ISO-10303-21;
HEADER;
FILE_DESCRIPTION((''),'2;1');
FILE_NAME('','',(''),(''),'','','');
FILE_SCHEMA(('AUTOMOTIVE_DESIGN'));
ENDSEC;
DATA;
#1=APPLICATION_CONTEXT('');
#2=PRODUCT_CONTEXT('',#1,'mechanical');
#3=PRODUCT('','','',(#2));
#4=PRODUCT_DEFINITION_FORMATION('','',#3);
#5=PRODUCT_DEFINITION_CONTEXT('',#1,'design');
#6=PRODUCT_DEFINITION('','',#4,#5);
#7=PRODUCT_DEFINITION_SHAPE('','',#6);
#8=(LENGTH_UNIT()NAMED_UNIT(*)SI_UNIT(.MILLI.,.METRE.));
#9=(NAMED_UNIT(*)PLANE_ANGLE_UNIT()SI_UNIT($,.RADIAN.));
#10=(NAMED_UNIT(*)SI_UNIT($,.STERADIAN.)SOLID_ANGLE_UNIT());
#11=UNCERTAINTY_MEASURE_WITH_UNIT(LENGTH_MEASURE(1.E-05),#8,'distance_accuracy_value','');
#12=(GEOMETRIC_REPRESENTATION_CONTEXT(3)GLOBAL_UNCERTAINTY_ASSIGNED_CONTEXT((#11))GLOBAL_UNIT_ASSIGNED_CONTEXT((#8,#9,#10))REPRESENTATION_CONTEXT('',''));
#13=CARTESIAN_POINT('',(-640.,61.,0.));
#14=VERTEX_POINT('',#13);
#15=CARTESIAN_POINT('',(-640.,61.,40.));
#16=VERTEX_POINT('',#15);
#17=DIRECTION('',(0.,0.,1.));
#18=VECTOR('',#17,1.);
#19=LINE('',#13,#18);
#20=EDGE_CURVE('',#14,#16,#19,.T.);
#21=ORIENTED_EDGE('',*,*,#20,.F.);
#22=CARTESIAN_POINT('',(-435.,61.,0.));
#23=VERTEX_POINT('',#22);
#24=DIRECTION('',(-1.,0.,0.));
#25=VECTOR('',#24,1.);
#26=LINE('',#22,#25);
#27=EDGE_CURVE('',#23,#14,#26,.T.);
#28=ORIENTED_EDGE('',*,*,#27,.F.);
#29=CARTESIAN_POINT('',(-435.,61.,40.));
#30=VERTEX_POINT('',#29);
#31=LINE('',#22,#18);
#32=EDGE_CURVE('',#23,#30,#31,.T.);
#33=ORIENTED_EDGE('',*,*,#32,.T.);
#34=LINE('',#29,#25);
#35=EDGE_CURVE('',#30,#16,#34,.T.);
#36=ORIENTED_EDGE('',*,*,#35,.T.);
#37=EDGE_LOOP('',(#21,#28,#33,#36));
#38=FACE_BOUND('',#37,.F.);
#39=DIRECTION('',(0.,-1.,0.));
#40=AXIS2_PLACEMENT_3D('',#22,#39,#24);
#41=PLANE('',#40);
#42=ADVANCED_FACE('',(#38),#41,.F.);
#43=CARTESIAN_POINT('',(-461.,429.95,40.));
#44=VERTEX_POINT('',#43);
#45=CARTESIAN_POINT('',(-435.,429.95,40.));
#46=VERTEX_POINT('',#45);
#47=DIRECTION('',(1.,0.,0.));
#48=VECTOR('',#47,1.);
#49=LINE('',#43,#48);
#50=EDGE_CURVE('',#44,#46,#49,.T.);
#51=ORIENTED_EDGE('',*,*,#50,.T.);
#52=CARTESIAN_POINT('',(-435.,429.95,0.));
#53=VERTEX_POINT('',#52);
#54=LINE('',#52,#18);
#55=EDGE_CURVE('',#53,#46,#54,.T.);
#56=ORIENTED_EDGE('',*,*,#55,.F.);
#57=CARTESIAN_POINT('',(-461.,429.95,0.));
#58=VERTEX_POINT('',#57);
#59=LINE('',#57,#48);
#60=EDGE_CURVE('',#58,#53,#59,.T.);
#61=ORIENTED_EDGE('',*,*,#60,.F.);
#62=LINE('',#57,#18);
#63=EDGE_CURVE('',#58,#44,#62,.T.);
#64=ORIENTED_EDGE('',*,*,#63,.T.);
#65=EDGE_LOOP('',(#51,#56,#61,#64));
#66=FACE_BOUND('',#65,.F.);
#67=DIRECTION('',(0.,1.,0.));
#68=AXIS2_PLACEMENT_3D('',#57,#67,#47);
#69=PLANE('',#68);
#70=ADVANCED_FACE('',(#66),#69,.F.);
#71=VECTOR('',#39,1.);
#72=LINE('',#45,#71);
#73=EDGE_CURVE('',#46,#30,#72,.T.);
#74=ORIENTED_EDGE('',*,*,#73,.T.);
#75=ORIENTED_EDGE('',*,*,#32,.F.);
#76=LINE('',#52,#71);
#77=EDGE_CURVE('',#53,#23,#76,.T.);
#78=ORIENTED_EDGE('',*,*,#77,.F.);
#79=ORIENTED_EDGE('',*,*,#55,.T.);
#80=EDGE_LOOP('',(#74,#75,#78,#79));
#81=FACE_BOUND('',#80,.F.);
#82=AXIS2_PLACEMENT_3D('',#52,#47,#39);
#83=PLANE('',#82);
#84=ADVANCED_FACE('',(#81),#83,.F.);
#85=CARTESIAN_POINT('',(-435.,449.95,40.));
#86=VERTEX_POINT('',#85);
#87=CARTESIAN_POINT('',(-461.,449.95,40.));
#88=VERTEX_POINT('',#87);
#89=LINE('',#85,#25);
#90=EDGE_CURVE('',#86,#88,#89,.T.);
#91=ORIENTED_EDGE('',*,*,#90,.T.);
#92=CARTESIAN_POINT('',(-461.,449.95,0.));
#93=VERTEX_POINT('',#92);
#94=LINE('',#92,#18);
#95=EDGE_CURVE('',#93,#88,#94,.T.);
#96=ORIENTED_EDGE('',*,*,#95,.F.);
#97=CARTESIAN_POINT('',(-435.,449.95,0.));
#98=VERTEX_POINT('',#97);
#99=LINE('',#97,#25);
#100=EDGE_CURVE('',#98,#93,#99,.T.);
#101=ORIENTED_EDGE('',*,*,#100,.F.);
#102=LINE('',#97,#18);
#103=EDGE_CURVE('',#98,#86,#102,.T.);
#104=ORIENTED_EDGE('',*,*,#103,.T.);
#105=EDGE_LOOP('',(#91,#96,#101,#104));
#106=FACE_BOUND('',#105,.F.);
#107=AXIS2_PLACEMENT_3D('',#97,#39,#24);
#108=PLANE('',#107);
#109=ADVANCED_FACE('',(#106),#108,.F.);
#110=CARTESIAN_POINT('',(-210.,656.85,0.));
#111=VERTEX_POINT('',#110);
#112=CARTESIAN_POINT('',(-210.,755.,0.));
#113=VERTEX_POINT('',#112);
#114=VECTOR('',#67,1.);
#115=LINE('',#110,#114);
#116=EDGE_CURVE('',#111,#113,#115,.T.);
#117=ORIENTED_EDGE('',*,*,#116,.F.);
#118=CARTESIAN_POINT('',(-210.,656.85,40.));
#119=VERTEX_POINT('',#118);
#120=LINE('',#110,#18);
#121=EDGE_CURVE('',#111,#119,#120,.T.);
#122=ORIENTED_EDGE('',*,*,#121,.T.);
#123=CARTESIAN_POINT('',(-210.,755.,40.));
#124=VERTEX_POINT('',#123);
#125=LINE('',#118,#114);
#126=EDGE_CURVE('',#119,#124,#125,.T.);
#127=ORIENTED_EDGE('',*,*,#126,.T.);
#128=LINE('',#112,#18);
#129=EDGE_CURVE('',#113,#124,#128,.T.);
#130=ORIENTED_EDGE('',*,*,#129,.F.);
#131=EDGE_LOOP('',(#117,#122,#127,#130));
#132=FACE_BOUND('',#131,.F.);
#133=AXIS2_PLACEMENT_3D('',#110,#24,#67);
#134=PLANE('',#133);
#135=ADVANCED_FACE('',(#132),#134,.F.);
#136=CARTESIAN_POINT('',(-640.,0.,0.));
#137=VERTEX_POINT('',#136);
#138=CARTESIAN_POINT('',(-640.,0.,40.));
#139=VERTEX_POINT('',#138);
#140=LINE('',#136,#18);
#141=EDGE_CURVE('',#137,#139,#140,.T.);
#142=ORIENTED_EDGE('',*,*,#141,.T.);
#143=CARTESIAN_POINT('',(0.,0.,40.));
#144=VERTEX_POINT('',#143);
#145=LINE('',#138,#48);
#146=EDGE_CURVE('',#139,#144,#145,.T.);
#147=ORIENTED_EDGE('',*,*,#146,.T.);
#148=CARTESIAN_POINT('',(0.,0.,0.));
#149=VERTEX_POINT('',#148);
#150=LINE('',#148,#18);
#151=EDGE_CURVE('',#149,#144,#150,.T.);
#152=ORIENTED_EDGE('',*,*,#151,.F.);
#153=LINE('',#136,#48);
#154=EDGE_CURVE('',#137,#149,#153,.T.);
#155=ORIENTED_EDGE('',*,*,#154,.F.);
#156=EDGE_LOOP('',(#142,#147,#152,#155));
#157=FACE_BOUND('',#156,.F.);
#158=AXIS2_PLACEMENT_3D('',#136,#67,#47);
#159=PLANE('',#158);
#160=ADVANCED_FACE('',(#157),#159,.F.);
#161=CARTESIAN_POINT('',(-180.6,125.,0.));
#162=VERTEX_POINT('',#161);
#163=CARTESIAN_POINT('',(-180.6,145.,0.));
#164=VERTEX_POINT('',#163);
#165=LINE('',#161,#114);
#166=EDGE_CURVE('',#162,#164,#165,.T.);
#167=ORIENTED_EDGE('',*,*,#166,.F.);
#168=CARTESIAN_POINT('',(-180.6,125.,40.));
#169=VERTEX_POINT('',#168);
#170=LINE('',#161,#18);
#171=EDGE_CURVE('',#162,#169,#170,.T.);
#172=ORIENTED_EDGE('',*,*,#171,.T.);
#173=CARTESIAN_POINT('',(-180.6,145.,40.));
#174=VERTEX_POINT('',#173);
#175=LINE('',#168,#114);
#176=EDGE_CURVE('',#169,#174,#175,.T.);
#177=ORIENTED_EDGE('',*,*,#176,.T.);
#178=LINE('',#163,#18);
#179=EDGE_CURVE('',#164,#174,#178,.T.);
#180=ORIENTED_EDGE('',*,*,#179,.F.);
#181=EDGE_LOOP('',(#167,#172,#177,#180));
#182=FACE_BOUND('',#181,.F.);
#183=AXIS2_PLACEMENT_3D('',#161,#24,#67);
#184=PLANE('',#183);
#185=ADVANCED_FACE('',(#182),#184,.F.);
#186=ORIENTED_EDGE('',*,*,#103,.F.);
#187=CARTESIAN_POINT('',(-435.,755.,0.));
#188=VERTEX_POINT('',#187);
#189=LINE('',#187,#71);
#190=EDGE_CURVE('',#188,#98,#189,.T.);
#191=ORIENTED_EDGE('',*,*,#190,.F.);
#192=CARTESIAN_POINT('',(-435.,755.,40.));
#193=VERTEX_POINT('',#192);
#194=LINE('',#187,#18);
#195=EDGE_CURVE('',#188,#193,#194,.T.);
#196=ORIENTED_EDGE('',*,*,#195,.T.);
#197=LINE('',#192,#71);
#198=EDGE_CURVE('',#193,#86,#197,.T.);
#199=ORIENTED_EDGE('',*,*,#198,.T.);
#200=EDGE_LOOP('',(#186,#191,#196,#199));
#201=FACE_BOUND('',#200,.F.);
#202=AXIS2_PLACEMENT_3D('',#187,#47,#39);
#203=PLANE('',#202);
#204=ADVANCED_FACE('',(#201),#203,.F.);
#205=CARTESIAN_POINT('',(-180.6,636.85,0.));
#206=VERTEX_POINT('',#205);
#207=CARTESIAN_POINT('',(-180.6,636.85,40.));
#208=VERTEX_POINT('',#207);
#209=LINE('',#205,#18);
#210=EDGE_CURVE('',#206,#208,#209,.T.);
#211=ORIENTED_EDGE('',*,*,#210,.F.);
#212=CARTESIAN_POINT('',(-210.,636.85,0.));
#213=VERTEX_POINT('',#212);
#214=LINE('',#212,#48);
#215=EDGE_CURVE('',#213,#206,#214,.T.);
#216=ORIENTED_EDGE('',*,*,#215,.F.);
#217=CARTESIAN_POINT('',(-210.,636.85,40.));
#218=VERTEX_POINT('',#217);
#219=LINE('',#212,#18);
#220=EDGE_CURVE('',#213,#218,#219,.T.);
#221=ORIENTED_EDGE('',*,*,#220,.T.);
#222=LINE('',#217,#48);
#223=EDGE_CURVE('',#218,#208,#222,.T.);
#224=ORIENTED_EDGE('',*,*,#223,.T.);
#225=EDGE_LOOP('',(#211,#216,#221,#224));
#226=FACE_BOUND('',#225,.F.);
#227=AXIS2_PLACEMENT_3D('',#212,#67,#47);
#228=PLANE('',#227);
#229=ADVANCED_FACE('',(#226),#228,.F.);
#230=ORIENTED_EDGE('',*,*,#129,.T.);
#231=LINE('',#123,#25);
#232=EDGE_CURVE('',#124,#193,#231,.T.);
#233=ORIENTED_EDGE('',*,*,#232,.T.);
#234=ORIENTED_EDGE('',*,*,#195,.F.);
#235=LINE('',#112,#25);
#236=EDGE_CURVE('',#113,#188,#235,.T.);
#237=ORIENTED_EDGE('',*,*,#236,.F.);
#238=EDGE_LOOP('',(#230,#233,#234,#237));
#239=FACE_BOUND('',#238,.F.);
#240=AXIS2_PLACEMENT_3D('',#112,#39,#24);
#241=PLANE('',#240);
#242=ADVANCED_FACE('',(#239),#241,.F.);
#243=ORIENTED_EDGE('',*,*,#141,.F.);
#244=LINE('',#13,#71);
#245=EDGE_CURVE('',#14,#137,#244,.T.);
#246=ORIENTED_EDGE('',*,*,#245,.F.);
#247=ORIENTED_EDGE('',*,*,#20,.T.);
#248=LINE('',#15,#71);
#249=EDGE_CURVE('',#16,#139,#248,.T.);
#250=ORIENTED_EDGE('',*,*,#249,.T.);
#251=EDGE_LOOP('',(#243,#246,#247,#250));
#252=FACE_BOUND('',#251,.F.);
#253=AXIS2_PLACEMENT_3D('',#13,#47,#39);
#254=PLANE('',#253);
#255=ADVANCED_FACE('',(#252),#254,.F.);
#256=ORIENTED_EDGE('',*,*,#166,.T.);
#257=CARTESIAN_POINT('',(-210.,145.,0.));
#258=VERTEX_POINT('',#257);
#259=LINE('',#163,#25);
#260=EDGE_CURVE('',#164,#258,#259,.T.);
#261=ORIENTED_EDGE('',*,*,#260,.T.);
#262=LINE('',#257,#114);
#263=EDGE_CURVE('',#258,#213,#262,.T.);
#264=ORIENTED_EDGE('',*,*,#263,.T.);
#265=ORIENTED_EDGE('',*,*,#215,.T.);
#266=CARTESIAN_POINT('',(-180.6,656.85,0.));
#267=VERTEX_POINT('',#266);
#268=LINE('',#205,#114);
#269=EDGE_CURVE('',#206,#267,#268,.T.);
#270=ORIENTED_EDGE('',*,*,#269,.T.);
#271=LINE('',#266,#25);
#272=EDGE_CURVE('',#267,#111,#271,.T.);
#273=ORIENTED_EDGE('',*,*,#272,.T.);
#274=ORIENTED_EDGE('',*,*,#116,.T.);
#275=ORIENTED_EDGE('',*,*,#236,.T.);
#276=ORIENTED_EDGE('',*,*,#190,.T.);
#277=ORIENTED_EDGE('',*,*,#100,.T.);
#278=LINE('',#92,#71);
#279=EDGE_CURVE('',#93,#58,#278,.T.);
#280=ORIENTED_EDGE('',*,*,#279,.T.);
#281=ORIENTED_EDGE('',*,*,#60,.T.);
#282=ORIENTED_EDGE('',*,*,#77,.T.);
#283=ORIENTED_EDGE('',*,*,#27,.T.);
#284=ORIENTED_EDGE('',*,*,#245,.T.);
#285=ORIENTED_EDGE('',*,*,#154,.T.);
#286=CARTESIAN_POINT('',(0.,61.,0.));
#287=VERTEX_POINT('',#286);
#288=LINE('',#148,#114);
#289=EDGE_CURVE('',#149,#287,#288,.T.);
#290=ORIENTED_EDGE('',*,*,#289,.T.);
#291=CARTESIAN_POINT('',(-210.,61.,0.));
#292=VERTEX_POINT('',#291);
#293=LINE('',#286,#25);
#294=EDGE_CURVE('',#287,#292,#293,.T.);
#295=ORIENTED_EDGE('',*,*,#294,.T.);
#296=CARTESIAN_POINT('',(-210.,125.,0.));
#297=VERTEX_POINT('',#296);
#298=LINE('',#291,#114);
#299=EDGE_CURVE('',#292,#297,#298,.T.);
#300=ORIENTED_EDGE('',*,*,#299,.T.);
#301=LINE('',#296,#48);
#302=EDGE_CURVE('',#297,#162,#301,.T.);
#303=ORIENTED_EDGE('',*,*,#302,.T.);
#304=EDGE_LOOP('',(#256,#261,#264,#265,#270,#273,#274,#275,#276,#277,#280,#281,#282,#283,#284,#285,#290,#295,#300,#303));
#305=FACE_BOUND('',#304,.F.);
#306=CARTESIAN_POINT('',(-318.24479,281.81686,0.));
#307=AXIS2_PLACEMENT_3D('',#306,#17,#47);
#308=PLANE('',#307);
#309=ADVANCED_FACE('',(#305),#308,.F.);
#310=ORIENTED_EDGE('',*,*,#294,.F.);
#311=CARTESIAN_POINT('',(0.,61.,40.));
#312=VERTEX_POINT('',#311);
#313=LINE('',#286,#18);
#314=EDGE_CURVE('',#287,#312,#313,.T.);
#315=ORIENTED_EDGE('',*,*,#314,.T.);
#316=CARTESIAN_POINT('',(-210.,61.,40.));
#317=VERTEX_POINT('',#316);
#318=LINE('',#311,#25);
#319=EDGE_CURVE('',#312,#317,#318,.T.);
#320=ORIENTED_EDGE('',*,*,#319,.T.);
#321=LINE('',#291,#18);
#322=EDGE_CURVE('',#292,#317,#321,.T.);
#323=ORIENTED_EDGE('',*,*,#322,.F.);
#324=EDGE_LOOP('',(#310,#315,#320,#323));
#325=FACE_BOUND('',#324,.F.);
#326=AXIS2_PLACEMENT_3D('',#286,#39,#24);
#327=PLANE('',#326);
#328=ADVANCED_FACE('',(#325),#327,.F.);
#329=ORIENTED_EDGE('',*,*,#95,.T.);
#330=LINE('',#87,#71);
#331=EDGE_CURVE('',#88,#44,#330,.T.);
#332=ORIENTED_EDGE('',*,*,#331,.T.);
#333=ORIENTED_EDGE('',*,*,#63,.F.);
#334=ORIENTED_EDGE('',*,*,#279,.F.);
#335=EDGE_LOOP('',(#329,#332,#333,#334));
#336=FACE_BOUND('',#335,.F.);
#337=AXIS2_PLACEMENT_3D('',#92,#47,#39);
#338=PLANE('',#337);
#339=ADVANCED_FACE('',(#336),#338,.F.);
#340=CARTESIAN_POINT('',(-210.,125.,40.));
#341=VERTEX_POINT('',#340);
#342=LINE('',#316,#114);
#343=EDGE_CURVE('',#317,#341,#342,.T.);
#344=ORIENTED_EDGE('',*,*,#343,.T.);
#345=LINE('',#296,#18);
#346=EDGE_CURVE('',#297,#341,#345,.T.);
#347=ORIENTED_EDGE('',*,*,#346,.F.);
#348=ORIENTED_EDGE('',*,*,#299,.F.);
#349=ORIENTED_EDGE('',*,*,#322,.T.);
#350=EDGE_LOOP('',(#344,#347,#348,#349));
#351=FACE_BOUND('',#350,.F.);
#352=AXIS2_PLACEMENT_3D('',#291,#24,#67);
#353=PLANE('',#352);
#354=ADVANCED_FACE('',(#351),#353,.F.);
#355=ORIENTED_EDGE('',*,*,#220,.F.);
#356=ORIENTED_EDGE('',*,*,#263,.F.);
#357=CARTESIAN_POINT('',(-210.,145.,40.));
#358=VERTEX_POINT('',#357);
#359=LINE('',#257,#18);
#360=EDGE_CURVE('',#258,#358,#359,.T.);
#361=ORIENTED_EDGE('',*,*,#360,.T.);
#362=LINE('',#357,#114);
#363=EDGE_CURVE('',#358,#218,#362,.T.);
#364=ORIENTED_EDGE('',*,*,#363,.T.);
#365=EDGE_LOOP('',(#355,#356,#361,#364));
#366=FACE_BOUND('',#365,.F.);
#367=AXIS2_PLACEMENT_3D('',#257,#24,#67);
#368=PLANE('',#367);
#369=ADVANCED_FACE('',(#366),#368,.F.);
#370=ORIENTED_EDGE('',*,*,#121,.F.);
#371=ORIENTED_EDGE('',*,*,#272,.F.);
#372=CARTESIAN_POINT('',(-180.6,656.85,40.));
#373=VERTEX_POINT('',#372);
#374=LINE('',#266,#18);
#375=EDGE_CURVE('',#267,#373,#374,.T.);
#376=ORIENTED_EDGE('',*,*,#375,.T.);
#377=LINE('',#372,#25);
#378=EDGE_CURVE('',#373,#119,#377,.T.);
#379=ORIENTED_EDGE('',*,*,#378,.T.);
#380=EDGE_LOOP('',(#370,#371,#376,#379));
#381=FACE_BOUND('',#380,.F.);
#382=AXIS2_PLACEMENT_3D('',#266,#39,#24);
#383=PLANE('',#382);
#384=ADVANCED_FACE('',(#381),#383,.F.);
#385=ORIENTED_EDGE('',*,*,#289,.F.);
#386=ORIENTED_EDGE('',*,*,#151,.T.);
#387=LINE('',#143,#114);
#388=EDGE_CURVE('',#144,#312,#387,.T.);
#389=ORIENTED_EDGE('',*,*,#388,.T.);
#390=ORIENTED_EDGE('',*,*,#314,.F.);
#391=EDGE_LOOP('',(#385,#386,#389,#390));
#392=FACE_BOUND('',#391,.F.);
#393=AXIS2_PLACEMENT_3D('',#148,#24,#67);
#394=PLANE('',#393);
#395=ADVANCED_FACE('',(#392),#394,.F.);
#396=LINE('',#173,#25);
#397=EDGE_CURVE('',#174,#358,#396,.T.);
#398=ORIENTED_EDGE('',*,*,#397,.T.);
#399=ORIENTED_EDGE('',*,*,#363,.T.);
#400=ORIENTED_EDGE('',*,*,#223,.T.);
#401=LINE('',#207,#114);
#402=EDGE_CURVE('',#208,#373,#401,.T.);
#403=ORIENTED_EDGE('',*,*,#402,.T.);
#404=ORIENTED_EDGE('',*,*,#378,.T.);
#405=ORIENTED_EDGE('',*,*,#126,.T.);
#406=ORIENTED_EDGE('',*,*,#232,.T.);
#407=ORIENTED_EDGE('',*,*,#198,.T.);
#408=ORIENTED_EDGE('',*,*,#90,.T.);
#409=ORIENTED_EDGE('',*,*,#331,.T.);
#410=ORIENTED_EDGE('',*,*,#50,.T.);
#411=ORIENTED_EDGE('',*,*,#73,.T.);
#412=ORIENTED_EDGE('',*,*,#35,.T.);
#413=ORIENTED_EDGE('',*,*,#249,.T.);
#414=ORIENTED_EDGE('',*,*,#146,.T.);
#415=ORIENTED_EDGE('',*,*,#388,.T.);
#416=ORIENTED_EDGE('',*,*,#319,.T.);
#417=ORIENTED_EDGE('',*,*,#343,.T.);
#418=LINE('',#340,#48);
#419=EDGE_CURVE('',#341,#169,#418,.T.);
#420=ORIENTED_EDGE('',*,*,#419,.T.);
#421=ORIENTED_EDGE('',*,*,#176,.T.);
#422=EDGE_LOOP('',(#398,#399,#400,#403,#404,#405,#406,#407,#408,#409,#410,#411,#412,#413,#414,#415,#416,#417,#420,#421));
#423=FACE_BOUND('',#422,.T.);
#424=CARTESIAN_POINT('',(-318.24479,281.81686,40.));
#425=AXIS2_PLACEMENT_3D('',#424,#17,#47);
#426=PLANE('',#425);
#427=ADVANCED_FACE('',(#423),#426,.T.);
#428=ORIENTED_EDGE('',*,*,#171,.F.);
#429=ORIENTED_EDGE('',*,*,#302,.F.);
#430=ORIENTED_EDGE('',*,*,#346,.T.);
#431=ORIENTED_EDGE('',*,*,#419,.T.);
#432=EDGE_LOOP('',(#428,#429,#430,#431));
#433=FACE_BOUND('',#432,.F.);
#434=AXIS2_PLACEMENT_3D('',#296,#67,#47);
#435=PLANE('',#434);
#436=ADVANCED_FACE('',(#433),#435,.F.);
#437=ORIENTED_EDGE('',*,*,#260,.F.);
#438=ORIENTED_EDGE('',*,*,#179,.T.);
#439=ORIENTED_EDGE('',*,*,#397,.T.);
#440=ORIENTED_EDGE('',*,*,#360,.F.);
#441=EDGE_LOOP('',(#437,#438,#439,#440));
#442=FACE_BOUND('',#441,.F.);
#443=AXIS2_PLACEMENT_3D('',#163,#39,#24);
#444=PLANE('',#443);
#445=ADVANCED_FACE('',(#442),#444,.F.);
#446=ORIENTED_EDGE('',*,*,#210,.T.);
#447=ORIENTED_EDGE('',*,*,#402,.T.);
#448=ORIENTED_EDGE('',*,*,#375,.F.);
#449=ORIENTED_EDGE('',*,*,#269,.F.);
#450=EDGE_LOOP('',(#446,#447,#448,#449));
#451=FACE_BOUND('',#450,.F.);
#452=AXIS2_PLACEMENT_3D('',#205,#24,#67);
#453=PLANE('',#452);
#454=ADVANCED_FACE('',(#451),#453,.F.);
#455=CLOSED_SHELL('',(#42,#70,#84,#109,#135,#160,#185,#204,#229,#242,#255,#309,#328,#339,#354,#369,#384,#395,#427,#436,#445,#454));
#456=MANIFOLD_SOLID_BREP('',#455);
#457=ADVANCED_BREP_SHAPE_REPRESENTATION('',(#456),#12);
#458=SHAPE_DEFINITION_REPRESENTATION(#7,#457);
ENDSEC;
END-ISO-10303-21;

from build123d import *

# Parameters (mm, degrees)
F1_DEPTH = 40


with BuildPart() as f1:
    # F0 (on Top) → F1 (new body)
    with BuildSketch(Plane.XY):
        Polygon((-640, 0), (0, 0), (0, 61), (-210, 61), (-210, 125), (-180.6, 125), (-180.6, 145), (-210, 145), (-210, 636.85), (-180.6, 636.85), (-180.6, 656.85), (-210, 656.85), (-210, 755), (-435, 755), (-435, 449.95), (-461, 449.95), (-461, 429.95), (-435, 429.95), (-435, 61), (-640, 61), align=None)
    extrude(amount=F1_DEPTH)


solid = f1.part
